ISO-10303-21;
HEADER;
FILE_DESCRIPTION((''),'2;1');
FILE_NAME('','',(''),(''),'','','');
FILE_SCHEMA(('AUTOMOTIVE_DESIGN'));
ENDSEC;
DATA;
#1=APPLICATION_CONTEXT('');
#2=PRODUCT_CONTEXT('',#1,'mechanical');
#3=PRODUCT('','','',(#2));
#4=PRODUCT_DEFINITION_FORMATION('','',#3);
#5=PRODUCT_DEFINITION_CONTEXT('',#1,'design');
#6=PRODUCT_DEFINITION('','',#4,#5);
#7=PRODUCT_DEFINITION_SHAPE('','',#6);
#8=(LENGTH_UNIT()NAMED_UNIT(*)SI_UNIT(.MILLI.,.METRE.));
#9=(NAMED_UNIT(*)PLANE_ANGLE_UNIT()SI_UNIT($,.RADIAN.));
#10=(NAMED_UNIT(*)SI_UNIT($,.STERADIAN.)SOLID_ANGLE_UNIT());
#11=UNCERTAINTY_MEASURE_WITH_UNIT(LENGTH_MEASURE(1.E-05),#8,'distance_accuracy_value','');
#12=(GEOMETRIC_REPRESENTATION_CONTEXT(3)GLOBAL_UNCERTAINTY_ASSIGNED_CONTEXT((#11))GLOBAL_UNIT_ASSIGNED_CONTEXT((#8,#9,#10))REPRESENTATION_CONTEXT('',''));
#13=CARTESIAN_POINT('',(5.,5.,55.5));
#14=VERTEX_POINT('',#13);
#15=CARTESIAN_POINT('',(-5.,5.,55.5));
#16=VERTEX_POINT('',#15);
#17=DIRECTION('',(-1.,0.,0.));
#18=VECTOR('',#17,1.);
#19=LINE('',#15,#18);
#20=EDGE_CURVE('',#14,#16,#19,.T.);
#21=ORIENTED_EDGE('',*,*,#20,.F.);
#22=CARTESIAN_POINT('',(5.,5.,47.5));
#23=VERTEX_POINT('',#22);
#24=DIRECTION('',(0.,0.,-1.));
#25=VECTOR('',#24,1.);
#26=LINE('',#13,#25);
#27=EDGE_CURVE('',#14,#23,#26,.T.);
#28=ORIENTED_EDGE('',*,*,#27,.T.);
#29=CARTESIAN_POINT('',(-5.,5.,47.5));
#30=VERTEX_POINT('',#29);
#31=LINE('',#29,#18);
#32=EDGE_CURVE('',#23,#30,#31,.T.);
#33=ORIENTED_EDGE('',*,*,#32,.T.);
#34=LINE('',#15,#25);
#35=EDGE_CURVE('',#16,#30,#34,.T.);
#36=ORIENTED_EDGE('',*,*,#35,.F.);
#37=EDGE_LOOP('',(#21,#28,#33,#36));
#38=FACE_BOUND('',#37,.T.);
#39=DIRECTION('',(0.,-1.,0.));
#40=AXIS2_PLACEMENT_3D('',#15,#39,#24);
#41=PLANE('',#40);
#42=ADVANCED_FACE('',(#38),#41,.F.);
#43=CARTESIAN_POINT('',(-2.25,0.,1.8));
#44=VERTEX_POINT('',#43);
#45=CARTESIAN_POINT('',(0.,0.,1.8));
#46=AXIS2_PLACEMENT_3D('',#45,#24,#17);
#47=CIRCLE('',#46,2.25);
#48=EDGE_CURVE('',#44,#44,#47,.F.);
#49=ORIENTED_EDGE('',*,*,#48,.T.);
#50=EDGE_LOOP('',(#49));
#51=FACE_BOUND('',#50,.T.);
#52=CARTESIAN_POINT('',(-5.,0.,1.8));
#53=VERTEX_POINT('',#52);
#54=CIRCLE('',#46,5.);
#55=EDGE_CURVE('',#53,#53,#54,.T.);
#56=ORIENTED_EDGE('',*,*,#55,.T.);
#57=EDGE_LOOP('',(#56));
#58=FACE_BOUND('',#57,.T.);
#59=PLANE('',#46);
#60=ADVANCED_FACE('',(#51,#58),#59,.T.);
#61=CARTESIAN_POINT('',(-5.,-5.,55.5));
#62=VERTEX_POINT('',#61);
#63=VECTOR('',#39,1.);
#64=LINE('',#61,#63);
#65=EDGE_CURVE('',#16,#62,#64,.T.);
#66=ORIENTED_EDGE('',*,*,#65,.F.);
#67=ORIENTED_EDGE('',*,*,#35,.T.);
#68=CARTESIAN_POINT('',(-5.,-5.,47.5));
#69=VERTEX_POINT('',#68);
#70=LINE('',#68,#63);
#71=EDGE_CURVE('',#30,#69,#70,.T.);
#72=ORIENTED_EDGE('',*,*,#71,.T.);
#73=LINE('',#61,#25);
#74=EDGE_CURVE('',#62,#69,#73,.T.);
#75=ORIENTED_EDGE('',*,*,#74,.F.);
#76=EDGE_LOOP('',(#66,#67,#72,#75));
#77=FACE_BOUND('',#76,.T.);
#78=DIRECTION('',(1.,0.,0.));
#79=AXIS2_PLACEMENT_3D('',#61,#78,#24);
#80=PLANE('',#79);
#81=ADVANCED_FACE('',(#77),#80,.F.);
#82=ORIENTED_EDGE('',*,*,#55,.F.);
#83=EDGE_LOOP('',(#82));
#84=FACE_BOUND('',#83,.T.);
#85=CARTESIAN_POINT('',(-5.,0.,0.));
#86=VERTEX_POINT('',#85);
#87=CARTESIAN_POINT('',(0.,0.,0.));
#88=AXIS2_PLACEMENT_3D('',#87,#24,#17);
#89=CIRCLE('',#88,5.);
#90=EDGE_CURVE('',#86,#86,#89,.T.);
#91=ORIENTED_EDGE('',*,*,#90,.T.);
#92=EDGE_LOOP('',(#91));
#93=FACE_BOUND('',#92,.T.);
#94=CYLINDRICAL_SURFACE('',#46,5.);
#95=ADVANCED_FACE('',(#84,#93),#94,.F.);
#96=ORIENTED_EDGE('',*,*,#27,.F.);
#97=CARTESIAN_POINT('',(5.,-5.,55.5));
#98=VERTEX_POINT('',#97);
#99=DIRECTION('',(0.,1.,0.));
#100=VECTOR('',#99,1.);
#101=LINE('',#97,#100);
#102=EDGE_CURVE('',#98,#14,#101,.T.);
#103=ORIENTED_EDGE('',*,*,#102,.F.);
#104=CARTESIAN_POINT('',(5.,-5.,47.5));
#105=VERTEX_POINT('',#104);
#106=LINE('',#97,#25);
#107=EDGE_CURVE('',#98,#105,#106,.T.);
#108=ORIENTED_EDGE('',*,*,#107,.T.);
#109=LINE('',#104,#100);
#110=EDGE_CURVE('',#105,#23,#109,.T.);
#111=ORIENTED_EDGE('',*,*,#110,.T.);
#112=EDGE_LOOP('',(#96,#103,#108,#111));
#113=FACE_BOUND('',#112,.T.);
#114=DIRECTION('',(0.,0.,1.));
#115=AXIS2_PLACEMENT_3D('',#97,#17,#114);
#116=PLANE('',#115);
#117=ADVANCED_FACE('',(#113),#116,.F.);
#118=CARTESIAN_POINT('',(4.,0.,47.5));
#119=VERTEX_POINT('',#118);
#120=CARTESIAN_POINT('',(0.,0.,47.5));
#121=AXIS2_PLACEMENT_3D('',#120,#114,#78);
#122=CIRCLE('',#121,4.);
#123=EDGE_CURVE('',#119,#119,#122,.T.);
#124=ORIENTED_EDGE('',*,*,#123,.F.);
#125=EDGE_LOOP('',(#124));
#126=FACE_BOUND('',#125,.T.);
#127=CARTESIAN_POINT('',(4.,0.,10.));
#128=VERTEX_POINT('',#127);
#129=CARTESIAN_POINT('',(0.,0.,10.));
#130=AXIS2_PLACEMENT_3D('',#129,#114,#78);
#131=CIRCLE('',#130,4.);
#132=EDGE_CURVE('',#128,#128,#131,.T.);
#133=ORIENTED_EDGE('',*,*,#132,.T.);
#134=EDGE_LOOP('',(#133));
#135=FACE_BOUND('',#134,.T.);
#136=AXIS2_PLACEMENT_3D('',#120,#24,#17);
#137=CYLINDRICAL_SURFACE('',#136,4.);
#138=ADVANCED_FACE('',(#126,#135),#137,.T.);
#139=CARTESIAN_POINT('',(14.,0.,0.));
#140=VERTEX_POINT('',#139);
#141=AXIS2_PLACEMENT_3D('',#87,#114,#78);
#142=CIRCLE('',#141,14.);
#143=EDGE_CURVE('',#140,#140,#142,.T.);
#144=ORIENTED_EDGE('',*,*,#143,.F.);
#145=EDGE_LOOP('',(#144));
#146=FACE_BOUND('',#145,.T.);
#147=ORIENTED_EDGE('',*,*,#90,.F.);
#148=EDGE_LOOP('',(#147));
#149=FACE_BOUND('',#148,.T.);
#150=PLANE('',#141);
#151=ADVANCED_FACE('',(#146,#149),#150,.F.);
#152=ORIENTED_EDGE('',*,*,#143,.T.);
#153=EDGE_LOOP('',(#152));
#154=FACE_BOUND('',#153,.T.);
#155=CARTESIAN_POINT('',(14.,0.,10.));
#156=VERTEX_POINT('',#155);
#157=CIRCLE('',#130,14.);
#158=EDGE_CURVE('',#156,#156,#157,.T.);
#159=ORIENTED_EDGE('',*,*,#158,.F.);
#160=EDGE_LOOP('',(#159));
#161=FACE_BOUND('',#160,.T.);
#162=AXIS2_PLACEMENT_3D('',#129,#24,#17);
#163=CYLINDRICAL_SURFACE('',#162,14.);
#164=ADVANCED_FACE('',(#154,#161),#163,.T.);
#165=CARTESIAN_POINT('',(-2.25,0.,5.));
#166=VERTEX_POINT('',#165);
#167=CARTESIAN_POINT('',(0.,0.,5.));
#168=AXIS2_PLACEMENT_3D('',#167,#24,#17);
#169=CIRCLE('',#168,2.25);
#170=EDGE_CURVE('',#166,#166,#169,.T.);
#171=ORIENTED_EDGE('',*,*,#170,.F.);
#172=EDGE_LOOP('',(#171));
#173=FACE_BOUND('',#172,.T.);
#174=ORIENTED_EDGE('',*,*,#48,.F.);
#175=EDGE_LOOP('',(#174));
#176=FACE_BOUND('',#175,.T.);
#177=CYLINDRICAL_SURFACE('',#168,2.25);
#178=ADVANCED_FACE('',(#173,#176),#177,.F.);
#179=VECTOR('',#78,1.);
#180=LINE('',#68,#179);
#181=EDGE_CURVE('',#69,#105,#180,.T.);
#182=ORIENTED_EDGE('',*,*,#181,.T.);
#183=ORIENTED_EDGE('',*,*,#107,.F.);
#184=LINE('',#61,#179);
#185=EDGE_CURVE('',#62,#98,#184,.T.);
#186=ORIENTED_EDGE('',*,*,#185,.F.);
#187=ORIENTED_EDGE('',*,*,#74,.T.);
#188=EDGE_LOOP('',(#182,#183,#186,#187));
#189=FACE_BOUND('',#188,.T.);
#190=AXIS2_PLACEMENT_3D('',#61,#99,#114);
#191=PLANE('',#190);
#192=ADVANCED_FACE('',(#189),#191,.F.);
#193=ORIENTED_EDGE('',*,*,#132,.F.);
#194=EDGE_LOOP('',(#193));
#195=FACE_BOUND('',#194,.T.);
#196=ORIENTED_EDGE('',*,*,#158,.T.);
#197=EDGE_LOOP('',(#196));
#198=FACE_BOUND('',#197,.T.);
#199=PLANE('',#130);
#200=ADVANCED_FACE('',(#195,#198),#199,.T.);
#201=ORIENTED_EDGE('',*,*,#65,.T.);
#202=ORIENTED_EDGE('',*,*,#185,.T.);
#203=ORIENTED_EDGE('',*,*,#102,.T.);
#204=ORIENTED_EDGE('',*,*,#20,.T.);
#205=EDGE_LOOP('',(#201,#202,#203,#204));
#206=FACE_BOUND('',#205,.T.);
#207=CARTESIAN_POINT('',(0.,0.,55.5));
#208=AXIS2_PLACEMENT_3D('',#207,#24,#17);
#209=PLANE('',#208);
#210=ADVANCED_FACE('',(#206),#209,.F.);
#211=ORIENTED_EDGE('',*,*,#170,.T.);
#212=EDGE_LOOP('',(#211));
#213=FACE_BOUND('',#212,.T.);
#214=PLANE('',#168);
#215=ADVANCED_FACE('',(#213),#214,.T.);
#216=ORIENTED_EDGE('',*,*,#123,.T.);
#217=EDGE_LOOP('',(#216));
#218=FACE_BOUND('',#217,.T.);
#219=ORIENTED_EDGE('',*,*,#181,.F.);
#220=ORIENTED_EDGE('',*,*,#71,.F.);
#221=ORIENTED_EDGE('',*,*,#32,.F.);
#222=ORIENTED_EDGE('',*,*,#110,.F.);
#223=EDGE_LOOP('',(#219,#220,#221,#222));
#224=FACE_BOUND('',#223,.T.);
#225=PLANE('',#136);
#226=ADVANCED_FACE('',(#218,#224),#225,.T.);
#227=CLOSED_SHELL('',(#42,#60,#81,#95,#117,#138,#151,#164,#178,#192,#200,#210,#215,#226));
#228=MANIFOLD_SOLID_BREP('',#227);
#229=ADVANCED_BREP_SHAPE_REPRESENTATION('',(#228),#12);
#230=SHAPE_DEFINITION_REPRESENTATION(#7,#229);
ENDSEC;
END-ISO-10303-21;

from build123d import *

# Parameters (mm, degrees)
SKETCH1_R           = 14
BOSS_EXTRUDE1_DEPTH = 10
SKETCH2_R           = 2.25
CUT_EXTRUDE1_DEPTH  = 5
SKETCH3_R           = 5
CUT_EXTRUDE2_DEPTH  = 1.8
SKETCH11_R          = 4
BOSS_EXTRUDE2_DEPTH = 37.5
SKETCH12_W          = 10
SKETCH12_H          = 10
BOSS_EXTRUDE3_DEPTH = 8


with BuildPart() as part:
    # Sketch1 → Boss-Extrude1 (new body)
    with BuildSketch(Plane.XY):
        Circle(SKETCH1_R)
    extrude(amount=BOSS_EXTRUDE1_DEPTH)

    # Sketch2 → Cut-Extrude1 (cut)
    with BuildSketch(Plane(origin=(0, 0, 0), x_dir=(-1, 0, 0), z_dir=(0, 0, -1))):
        Circle(SKETCH2_R)
    extrude(amount=-CUT_EXTRUDE1_DEPTH, mode=Mode.SUBTRACT)

    # Sketch3 → Cut-Extrude2 (cut)
    with BuildSketch(Plane(origin=(0, 0, 0), x_dir=(-1, 0, 0), z_dir=(0, 0, -1))):
        Circle(SKETCH3_R)
    extrude(amount=-CUT_EXTRUDE2_DEPTH, mode=Mode.SUBTRACT)

    # Sketch11 → Boss-Extrude2 (add)
    with BuildSketch(Plane.XY.offset(10)):
        Circle(SKETCH11_R)
    extrude(amount=BOSS_EXTRUDE2_DEPTH)

    # Sketch12 → Boss-Extrude3 (add)
    with BuildSketch(Plane.XY.offset(47.5)):
        Rectangle(SKETCH12_W, SKETCH12_H)
    extrude(amount=BOSS_EXTRUDE3_DEPTH)


solid = part.part
